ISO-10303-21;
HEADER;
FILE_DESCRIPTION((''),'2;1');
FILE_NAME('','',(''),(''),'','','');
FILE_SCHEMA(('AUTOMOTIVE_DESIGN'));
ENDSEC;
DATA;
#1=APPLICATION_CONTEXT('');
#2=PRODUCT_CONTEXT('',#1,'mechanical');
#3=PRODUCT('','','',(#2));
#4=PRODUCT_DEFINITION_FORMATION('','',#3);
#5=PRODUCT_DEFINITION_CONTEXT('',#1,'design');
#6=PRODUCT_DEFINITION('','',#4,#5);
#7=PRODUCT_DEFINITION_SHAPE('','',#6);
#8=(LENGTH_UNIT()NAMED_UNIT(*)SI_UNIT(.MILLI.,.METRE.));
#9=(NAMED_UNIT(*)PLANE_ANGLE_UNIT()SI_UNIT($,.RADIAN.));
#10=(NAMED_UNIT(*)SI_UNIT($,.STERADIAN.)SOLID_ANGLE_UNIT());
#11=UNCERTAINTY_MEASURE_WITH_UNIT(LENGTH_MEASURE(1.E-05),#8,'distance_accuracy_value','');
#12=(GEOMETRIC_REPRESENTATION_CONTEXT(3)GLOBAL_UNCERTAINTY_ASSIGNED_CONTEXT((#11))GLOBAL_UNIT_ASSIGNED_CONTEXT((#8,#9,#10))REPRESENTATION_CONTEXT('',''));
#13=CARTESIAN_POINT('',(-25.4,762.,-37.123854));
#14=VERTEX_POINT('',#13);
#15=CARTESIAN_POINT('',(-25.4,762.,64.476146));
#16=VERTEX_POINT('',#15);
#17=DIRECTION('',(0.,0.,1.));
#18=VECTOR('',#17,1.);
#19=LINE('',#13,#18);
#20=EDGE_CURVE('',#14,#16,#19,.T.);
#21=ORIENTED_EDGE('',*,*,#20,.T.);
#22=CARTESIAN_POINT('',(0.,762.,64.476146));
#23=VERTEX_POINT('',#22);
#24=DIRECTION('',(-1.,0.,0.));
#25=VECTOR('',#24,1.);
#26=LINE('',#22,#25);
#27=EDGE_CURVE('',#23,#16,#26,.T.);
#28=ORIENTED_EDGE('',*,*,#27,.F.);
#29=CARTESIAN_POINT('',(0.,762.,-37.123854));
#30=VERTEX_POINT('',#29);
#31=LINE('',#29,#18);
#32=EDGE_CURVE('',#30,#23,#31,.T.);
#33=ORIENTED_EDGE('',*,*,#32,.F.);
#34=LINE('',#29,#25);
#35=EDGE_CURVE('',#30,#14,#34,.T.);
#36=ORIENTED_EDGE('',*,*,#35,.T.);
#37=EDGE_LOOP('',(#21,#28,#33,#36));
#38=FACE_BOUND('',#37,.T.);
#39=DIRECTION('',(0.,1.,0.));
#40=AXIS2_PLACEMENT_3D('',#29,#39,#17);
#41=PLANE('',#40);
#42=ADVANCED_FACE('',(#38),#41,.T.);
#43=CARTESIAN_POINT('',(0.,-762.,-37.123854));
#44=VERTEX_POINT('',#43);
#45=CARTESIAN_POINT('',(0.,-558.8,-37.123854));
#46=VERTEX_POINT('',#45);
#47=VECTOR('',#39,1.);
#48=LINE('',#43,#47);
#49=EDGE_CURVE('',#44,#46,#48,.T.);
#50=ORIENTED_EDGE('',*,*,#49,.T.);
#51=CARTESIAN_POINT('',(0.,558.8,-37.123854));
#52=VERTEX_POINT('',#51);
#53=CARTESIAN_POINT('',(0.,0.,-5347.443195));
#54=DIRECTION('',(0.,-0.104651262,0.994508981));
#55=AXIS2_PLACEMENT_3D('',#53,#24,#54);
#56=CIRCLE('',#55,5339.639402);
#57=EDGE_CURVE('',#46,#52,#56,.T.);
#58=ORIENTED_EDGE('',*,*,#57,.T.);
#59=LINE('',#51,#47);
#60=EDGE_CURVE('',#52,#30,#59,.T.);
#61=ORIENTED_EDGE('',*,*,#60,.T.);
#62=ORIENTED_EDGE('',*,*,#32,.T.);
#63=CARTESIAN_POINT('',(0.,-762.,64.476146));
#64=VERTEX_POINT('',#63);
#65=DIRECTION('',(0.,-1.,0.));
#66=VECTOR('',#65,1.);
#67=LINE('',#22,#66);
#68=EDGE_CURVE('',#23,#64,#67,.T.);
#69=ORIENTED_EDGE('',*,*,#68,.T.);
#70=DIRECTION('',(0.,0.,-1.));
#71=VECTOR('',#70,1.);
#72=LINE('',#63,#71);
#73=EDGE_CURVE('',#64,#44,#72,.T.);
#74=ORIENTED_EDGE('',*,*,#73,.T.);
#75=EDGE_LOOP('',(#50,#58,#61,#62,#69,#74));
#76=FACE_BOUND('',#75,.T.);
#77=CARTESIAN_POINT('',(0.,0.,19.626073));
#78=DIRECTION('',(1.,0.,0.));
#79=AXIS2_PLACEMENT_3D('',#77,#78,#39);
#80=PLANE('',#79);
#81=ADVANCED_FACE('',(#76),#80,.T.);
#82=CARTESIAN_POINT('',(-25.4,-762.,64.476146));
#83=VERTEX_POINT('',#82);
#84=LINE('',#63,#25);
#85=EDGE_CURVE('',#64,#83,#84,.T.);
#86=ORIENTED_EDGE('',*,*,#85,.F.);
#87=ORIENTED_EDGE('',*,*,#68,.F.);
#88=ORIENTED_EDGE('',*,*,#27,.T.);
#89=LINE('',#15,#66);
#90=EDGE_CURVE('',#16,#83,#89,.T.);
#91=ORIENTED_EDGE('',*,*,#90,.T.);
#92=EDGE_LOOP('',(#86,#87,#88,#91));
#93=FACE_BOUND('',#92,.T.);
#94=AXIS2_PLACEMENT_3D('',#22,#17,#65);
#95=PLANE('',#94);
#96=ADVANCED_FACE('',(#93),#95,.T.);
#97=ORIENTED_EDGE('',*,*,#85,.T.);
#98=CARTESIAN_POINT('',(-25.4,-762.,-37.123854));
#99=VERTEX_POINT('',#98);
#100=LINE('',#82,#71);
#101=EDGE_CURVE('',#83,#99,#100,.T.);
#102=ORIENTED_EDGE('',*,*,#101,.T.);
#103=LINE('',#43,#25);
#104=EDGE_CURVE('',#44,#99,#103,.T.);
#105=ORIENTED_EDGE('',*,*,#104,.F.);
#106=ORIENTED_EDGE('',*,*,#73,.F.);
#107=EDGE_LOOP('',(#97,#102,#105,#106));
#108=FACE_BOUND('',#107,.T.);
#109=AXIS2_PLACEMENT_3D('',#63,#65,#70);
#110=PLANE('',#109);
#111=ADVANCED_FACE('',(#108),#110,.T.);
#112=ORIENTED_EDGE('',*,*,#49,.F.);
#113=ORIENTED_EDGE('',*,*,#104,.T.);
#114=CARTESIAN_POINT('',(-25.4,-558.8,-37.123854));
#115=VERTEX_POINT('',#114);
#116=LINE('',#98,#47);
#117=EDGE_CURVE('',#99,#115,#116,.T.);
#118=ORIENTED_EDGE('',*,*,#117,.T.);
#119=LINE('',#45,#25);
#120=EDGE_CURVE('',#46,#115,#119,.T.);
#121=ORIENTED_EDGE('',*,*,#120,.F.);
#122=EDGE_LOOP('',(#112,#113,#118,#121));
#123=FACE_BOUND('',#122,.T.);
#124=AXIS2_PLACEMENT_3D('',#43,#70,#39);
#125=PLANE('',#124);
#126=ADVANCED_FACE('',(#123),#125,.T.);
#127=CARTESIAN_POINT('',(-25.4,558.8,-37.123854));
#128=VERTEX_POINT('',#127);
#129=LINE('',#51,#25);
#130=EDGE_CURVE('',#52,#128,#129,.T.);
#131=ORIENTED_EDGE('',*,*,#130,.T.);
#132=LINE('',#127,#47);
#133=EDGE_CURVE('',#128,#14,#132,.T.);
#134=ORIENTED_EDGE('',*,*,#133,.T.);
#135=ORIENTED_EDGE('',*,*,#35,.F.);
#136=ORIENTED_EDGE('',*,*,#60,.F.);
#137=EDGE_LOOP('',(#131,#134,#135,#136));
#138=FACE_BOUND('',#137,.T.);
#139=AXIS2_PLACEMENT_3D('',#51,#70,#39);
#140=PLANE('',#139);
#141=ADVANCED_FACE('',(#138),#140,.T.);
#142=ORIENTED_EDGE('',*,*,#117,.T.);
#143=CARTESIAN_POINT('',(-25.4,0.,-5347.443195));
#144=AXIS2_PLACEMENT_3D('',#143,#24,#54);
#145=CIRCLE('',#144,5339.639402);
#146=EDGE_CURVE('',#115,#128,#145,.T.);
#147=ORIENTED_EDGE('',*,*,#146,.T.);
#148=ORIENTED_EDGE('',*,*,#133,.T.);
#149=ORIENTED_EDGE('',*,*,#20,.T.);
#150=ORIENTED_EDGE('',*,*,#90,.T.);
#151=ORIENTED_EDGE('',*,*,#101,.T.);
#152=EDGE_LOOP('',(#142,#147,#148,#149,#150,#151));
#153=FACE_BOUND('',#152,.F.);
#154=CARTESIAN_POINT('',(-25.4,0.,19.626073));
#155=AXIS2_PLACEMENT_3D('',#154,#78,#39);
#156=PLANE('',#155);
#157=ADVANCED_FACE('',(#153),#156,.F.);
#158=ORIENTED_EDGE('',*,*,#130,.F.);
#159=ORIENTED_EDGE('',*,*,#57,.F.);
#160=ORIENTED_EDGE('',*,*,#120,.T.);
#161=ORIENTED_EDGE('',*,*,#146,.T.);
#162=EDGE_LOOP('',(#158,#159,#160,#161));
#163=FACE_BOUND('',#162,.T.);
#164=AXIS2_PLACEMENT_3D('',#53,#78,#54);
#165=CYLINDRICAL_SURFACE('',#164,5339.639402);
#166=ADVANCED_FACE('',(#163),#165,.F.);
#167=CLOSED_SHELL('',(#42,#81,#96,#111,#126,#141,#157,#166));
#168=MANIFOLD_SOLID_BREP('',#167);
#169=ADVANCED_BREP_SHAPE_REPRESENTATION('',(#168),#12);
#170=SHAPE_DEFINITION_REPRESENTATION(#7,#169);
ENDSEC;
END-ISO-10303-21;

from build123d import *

# Parameters (mm, degrees)
F1_DEPTH = 25.4


with BuildPart() as f1:
    # F0 (on Right) → F1 (new body)
    with BuildSketch(Plane.YZ):
        with BuildLine():
            Line((762, 64.476146), (-762, 64.476146))
            Line((-762, 64.476146), (-762, -37.123854))
            Line((-762, -37.123854), (-558.8, -37.123854))
            ThreePointArc((-558.8, -37.123854), (0, -7.803793), (558.8, -37.123854))
            Line((558.8, -37.123854), (762, -37.123854))
            Line((762, -37.123854), (762, 64.476146))
        make_face()
    extrude(amount=-F1_DEPTH)


solid = f1.part
